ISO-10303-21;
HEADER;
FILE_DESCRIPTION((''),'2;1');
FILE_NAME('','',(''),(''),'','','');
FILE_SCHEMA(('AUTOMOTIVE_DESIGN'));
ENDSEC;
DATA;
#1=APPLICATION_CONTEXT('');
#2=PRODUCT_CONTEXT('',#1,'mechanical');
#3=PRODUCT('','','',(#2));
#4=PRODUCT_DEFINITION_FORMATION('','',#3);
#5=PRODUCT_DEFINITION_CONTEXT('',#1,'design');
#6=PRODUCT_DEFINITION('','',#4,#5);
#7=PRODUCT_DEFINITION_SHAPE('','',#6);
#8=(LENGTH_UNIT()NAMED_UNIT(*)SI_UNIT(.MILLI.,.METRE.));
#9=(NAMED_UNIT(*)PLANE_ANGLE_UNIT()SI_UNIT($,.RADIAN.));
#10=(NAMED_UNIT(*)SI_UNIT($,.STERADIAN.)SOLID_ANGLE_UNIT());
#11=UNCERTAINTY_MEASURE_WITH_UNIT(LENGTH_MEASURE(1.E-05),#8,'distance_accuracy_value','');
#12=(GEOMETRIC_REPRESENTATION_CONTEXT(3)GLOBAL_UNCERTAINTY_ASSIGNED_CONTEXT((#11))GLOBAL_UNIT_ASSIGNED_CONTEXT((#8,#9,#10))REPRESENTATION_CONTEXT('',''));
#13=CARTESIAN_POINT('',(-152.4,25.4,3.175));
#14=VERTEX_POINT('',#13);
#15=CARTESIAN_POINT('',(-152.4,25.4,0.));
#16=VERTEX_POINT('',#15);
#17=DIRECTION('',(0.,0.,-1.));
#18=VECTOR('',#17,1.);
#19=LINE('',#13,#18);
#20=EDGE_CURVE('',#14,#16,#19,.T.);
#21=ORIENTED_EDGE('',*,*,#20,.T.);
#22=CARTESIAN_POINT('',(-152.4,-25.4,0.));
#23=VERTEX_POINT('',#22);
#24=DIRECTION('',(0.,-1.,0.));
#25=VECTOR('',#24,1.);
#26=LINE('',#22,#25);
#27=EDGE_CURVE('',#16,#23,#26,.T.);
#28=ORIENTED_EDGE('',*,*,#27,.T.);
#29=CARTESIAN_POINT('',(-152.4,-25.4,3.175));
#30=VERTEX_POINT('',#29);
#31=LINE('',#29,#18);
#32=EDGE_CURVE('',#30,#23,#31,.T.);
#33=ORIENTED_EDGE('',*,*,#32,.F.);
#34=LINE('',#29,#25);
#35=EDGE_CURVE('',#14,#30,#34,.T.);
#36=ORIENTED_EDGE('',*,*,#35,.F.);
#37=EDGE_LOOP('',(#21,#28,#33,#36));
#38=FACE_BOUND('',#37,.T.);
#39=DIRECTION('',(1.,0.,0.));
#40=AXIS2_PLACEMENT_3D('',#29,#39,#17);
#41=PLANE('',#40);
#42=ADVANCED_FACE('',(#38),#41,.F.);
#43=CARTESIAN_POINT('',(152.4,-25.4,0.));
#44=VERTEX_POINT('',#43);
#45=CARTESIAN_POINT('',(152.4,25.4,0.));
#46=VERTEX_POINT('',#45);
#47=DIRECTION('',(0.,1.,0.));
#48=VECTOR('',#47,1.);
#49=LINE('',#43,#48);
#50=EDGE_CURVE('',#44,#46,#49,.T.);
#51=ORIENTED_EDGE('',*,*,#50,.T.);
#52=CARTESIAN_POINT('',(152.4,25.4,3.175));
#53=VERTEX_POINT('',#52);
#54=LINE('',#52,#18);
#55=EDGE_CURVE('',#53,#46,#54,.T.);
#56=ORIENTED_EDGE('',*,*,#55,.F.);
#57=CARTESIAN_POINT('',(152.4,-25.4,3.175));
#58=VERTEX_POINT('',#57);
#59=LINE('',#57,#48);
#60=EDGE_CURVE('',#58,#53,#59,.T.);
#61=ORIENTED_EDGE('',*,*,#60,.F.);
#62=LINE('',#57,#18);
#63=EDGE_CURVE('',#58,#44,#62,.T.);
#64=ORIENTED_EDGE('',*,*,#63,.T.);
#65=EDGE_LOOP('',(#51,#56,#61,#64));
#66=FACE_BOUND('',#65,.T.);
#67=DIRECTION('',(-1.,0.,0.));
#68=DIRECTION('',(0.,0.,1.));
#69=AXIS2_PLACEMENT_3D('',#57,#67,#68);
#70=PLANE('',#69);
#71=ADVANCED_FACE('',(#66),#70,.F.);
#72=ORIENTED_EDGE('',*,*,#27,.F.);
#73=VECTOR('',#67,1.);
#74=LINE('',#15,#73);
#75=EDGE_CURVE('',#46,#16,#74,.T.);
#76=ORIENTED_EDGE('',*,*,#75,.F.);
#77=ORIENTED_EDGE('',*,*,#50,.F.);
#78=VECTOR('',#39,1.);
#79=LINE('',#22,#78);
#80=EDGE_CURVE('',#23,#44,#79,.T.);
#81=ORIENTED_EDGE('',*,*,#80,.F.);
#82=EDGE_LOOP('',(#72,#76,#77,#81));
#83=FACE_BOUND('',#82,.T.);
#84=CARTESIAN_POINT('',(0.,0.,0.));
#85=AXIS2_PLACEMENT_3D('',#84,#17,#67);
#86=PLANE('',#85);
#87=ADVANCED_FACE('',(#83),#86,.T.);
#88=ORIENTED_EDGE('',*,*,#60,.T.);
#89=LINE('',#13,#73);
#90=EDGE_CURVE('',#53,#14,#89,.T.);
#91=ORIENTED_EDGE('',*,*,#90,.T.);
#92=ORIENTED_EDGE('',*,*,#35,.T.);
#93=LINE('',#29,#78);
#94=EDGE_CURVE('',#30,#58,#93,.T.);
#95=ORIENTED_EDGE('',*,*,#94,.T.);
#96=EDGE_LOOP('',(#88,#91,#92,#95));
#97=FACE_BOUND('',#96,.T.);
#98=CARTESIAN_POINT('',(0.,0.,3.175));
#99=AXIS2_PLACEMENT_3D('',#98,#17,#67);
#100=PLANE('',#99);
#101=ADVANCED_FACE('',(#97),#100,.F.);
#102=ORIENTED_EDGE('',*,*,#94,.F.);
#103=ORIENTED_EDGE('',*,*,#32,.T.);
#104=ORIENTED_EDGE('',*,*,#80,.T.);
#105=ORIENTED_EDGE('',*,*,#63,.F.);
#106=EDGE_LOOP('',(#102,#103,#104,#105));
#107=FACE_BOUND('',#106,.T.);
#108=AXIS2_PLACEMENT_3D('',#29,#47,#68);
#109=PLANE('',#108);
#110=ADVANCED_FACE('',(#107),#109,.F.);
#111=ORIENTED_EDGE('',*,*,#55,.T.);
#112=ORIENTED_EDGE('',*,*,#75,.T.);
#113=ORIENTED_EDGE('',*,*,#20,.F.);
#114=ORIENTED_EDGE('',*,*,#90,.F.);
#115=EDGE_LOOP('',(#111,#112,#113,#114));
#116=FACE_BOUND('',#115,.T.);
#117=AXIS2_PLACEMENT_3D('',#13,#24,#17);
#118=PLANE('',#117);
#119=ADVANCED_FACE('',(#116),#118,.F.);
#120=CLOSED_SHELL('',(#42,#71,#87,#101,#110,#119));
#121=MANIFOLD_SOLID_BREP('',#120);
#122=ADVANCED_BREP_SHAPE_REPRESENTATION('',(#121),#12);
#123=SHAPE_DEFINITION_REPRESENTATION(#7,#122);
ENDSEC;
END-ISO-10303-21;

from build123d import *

# Parameters (mm, degrees)
SKETCH1_W           = 304.8
SKETCH1_H           = 50.8
BOSS_EXTRUDE1_DEPTH = 3.175


with BuildPart() as part:
    # Sketch1 → Boss-Extrude1 (new body)
    with BuildSketch(Plane.XY):
        Rectangle(SKETCH1_W, SKETCH1_H)
    extrude(amount=BOSS_EXTRUDE1_DEPTH)


solid = part.part
